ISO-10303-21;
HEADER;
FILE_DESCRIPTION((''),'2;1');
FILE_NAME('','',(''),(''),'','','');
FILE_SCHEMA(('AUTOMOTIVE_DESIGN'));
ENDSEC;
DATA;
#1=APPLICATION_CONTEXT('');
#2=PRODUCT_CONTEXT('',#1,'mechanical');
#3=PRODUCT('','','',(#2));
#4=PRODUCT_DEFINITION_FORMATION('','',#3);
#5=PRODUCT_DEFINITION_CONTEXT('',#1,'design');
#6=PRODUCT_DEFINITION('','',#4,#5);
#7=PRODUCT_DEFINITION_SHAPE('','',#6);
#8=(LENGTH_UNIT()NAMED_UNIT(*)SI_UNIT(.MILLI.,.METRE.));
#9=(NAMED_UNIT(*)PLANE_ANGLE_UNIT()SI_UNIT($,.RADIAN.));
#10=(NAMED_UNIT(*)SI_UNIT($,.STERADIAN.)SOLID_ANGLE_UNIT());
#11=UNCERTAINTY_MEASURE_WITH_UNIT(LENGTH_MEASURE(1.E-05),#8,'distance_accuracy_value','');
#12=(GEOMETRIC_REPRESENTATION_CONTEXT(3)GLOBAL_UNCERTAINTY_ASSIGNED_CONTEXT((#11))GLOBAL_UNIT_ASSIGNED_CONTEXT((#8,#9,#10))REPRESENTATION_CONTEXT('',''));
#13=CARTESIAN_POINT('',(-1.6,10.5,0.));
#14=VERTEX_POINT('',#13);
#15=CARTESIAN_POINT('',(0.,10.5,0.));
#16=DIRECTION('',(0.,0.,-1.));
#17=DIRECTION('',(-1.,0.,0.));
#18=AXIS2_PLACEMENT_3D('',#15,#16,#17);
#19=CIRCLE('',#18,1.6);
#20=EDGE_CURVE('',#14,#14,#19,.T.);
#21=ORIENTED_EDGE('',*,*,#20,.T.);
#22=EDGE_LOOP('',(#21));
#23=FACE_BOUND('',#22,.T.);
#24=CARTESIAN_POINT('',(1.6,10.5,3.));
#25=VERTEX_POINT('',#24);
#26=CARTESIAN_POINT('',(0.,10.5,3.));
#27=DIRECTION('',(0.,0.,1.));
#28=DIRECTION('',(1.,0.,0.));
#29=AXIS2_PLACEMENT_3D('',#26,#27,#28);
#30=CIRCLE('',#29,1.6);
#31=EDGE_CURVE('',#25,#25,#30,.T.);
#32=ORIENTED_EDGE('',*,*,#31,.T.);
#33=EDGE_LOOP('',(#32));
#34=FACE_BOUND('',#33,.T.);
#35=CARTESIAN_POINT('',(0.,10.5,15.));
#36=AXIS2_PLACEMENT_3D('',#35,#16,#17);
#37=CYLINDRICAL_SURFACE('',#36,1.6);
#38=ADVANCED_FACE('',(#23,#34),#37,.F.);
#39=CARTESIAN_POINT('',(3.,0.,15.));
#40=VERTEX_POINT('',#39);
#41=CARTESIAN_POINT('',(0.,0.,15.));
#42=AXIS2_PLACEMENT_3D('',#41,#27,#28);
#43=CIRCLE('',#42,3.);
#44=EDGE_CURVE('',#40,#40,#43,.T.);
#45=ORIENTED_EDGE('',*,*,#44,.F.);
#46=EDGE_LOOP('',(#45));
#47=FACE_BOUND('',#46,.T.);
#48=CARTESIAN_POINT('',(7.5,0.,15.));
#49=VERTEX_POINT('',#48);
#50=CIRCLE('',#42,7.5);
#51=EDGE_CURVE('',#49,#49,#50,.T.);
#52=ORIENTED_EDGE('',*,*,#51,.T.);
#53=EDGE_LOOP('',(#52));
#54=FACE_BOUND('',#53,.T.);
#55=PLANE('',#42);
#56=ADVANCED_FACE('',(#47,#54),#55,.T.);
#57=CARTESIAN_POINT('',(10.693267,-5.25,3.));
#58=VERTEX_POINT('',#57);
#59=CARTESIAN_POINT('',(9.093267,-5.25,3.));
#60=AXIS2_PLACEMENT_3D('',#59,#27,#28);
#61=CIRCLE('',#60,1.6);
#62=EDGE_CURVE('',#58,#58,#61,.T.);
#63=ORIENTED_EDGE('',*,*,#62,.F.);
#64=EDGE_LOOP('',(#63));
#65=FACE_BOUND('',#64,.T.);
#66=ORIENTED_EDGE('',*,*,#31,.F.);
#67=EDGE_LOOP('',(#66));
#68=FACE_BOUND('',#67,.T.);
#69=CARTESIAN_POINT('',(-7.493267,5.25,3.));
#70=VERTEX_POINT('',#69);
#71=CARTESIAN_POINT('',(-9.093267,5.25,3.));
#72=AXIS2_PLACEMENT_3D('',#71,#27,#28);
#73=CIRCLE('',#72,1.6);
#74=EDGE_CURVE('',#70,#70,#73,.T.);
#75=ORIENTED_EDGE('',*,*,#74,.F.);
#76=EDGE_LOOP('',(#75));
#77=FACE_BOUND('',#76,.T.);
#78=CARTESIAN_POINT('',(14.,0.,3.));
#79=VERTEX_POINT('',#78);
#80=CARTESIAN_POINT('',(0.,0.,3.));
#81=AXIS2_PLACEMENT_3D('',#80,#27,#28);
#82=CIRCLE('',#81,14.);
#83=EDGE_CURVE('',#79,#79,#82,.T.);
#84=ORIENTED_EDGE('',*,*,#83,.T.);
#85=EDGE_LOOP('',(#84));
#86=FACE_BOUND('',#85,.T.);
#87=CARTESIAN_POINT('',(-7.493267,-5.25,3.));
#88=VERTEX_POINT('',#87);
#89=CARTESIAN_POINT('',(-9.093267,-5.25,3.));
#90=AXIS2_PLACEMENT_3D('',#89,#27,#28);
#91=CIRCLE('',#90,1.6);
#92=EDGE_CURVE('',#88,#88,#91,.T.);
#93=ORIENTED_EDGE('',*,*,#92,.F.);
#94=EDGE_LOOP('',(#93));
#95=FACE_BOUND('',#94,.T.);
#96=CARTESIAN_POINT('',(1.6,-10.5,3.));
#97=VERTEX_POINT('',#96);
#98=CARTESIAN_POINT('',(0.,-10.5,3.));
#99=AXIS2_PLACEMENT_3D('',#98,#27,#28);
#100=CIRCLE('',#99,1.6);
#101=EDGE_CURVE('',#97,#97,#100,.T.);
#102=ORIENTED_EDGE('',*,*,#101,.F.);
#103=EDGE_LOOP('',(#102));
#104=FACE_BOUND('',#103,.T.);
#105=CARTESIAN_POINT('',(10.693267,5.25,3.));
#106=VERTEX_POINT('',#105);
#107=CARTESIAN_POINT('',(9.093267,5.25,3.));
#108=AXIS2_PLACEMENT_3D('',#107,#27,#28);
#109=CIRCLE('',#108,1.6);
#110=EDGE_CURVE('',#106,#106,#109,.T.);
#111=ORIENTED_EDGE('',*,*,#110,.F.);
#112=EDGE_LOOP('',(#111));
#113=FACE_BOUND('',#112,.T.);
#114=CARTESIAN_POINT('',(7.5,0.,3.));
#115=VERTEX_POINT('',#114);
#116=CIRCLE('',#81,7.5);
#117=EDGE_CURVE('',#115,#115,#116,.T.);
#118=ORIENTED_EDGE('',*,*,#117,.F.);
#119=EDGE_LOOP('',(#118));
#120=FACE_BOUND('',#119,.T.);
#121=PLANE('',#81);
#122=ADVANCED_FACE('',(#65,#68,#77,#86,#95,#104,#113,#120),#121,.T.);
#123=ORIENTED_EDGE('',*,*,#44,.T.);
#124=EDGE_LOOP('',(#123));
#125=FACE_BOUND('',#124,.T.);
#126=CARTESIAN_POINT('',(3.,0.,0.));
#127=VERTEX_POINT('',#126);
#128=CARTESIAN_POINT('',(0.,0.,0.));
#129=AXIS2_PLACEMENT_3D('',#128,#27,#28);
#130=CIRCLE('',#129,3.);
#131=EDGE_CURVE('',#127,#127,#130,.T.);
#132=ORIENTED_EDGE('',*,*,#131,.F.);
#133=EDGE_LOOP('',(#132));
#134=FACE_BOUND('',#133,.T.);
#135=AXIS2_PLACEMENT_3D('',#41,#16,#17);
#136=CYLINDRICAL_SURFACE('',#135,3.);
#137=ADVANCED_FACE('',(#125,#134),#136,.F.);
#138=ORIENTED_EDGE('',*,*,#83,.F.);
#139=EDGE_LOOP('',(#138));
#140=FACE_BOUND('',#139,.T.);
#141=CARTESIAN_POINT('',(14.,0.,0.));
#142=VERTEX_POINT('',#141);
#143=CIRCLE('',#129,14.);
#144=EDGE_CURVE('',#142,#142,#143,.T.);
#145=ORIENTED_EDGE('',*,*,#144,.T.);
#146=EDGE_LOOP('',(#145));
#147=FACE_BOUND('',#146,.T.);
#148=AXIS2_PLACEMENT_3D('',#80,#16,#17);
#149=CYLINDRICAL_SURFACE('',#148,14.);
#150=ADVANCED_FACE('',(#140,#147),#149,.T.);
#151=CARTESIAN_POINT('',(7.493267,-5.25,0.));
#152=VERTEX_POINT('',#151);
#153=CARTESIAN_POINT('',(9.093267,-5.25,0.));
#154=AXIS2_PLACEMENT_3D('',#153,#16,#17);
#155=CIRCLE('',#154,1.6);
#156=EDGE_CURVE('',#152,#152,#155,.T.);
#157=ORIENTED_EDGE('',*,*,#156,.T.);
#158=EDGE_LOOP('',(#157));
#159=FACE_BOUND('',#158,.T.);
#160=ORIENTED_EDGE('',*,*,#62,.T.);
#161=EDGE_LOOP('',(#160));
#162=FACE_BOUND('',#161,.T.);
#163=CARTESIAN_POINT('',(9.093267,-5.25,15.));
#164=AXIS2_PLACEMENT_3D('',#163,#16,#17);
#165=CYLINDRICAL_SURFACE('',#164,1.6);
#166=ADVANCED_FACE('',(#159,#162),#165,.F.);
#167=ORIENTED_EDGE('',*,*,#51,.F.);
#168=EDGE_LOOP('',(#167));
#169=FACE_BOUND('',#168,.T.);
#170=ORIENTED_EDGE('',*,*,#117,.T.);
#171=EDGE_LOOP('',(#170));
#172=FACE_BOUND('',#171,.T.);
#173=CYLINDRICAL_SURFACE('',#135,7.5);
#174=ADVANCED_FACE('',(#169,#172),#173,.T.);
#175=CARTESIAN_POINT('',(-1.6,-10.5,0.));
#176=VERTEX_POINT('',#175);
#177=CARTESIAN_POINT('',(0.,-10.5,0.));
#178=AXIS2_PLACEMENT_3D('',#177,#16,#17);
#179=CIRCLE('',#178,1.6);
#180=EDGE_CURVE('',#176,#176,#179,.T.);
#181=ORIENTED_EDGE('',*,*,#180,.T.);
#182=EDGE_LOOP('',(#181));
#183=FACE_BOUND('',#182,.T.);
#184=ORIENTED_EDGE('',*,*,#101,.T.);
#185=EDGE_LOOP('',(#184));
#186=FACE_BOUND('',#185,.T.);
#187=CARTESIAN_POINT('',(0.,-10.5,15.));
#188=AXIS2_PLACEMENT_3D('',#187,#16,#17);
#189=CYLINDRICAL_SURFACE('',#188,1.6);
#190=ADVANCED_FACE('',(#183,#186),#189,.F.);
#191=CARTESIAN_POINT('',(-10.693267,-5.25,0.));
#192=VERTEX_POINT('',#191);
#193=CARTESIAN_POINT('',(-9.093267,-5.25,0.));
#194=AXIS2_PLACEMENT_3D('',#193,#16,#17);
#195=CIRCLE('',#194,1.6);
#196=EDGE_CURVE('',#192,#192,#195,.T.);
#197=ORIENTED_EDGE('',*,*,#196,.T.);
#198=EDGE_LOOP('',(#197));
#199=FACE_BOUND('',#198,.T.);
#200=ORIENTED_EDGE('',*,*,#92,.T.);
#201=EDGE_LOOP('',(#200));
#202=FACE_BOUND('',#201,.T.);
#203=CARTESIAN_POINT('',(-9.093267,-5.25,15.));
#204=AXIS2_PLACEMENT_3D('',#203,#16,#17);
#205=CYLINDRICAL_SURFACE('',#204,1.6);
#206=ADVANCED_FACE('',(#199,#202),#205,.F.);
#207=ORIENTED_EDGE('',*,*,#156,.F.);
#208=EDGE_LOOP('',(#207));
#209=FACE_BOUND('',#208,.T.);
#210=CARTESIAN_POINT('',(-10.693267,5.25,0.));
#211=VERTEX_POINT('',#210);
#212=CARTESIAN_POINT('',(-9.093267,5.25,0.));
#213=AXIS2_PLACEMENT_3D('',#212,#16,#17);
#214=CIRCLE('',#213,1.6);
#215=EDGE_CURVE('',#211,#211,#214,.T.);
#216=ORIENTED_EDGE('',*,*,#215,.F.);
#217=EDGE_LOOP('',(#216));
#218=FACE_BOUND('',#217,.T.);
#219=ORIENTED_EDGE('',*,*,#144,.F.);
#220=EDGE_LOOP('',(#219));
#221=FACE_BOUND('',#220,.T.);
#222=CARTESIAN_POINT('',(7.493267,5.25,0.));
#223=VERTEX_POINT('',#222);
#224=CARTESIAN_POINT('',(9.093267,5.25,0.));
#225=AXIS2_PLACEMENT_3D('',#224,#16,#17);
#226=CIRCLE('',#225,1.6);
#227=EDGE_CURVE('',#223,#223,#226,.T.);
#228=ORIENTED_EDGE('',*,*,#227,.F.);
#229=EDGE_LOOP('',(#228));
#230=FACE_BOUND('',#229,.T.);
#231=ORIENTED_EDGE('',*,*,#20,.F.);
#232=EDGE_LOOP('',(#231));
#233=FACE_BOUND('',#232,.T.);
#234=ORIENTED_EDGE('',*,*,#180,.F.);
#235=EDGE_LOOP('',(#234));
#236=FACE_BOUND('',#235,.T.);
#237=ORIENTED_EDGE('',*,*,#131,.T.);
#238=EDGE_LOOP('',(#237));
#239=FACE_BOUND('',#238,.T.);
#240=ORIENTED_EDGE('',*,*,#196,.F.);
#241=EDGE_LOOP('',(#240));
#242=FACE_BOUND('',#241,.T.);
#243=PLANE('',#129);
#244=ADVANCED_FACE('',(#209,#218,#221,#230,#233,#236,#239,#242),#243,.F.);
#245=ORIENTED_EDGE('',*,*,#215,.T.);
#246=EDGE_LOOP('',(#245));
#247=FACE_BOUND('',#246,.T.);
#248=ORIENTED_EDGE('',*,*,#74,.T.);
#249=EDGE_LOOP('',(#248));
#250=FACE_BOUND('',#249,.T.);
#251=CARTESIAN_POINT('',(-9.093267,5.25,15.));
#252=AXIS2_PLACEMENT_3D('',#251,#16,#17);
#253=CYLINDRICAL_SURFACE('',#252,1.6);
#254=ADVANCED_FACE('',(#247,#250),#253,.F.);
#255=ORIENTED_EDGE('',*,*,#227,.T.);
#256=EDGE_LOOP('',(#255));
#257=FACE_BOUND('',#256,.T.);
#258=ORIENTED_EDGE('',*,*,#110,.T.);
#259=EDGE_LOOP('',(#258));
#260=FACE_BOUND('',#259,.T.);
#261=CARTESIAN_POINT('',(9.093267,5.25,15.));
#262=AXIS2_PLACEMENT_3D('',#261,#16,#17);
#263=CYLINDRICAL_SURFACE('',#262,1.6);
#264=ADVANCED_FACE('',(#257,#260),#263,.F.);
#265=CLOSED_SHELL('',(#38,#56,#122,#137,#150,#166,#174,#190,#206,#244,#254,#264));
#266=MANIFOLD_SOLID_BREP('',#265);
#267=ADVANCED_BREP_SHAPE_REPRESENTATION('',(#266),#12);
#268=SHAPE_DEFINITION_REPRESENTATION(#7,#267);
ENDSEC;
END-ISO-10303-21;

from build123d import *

# Parameters (mm, degrees)
SKETCH_1_R          = 14
EXTRUDE_1_DEPTH     = 3
SKETCH_2_R          = 7.5
SKETCH_2_R_2        = 3
EXTRUDE_2_DEPTH     = 12
SKETCH_3_R          = 3
CUT_EXTRUDE_1_DEPTH = 4
SKETCH_4_R          = 1.6
CUT_EXTRUDE_2_DEPTH = 16


with BuildPart() as part:
    # 草图1 → 凸台-拉伸1 (new body)
    with BuildSketch(Plane.XY):
        Circle(SKETCH_1_R)
    extrude(amount=EXTRUDE_1_DEPTH)

    # 草图2 → 凸台-拉伸2 (add)
    with BuildSketch(Plane.XY.offset(3)):
        Circle(SKETCH_2_R)
        Circle(SKETCH_2_R_2, mode=Mode.SUBTRACT)
    extrude(amount=EXTRUDE_2_DEPTH)

    # 草图3 → 切除-拉伸1 (cut, through all)
    with BuildSketch(Plane.XY.offset(3)):
        Circle(SKETCH_3_R)
    extrude(amount=-CUT_EXTRUDE_1_DEPTH, mode=Mode.SUBTRACT)

    # 草图4 → 切除-拉伸2 (cut, through all)
    with BuildSketch(Plane(origin=(0, 0, 0), x_dir=(-1, 0, 0), z_dir=(0, 0, -1))):
        with Locations((-9.09326674, -5.25)):
            Circle(SKETCH_4_R)
        with Locations((9.09326674, 5.25)):
            Circle(SKETCH_4_R)
        with Locations((0, -10.5)):
            Circle(SKETCH_4_R)
        with Locations((9.09326674, -5.25)):
            Circle(SKETCH_4_R)
        with Locations((0, 10.5)):
            Circle(SKETCH_4_R)
        with Locations((-9.09326674, 5.25)):
            Circle(SKETCH_4_R)
    extrude(amount=-CUT_EXTRUDE_2_DEPTH, mode=Mode.SUBTRACT)


solid = part.part
